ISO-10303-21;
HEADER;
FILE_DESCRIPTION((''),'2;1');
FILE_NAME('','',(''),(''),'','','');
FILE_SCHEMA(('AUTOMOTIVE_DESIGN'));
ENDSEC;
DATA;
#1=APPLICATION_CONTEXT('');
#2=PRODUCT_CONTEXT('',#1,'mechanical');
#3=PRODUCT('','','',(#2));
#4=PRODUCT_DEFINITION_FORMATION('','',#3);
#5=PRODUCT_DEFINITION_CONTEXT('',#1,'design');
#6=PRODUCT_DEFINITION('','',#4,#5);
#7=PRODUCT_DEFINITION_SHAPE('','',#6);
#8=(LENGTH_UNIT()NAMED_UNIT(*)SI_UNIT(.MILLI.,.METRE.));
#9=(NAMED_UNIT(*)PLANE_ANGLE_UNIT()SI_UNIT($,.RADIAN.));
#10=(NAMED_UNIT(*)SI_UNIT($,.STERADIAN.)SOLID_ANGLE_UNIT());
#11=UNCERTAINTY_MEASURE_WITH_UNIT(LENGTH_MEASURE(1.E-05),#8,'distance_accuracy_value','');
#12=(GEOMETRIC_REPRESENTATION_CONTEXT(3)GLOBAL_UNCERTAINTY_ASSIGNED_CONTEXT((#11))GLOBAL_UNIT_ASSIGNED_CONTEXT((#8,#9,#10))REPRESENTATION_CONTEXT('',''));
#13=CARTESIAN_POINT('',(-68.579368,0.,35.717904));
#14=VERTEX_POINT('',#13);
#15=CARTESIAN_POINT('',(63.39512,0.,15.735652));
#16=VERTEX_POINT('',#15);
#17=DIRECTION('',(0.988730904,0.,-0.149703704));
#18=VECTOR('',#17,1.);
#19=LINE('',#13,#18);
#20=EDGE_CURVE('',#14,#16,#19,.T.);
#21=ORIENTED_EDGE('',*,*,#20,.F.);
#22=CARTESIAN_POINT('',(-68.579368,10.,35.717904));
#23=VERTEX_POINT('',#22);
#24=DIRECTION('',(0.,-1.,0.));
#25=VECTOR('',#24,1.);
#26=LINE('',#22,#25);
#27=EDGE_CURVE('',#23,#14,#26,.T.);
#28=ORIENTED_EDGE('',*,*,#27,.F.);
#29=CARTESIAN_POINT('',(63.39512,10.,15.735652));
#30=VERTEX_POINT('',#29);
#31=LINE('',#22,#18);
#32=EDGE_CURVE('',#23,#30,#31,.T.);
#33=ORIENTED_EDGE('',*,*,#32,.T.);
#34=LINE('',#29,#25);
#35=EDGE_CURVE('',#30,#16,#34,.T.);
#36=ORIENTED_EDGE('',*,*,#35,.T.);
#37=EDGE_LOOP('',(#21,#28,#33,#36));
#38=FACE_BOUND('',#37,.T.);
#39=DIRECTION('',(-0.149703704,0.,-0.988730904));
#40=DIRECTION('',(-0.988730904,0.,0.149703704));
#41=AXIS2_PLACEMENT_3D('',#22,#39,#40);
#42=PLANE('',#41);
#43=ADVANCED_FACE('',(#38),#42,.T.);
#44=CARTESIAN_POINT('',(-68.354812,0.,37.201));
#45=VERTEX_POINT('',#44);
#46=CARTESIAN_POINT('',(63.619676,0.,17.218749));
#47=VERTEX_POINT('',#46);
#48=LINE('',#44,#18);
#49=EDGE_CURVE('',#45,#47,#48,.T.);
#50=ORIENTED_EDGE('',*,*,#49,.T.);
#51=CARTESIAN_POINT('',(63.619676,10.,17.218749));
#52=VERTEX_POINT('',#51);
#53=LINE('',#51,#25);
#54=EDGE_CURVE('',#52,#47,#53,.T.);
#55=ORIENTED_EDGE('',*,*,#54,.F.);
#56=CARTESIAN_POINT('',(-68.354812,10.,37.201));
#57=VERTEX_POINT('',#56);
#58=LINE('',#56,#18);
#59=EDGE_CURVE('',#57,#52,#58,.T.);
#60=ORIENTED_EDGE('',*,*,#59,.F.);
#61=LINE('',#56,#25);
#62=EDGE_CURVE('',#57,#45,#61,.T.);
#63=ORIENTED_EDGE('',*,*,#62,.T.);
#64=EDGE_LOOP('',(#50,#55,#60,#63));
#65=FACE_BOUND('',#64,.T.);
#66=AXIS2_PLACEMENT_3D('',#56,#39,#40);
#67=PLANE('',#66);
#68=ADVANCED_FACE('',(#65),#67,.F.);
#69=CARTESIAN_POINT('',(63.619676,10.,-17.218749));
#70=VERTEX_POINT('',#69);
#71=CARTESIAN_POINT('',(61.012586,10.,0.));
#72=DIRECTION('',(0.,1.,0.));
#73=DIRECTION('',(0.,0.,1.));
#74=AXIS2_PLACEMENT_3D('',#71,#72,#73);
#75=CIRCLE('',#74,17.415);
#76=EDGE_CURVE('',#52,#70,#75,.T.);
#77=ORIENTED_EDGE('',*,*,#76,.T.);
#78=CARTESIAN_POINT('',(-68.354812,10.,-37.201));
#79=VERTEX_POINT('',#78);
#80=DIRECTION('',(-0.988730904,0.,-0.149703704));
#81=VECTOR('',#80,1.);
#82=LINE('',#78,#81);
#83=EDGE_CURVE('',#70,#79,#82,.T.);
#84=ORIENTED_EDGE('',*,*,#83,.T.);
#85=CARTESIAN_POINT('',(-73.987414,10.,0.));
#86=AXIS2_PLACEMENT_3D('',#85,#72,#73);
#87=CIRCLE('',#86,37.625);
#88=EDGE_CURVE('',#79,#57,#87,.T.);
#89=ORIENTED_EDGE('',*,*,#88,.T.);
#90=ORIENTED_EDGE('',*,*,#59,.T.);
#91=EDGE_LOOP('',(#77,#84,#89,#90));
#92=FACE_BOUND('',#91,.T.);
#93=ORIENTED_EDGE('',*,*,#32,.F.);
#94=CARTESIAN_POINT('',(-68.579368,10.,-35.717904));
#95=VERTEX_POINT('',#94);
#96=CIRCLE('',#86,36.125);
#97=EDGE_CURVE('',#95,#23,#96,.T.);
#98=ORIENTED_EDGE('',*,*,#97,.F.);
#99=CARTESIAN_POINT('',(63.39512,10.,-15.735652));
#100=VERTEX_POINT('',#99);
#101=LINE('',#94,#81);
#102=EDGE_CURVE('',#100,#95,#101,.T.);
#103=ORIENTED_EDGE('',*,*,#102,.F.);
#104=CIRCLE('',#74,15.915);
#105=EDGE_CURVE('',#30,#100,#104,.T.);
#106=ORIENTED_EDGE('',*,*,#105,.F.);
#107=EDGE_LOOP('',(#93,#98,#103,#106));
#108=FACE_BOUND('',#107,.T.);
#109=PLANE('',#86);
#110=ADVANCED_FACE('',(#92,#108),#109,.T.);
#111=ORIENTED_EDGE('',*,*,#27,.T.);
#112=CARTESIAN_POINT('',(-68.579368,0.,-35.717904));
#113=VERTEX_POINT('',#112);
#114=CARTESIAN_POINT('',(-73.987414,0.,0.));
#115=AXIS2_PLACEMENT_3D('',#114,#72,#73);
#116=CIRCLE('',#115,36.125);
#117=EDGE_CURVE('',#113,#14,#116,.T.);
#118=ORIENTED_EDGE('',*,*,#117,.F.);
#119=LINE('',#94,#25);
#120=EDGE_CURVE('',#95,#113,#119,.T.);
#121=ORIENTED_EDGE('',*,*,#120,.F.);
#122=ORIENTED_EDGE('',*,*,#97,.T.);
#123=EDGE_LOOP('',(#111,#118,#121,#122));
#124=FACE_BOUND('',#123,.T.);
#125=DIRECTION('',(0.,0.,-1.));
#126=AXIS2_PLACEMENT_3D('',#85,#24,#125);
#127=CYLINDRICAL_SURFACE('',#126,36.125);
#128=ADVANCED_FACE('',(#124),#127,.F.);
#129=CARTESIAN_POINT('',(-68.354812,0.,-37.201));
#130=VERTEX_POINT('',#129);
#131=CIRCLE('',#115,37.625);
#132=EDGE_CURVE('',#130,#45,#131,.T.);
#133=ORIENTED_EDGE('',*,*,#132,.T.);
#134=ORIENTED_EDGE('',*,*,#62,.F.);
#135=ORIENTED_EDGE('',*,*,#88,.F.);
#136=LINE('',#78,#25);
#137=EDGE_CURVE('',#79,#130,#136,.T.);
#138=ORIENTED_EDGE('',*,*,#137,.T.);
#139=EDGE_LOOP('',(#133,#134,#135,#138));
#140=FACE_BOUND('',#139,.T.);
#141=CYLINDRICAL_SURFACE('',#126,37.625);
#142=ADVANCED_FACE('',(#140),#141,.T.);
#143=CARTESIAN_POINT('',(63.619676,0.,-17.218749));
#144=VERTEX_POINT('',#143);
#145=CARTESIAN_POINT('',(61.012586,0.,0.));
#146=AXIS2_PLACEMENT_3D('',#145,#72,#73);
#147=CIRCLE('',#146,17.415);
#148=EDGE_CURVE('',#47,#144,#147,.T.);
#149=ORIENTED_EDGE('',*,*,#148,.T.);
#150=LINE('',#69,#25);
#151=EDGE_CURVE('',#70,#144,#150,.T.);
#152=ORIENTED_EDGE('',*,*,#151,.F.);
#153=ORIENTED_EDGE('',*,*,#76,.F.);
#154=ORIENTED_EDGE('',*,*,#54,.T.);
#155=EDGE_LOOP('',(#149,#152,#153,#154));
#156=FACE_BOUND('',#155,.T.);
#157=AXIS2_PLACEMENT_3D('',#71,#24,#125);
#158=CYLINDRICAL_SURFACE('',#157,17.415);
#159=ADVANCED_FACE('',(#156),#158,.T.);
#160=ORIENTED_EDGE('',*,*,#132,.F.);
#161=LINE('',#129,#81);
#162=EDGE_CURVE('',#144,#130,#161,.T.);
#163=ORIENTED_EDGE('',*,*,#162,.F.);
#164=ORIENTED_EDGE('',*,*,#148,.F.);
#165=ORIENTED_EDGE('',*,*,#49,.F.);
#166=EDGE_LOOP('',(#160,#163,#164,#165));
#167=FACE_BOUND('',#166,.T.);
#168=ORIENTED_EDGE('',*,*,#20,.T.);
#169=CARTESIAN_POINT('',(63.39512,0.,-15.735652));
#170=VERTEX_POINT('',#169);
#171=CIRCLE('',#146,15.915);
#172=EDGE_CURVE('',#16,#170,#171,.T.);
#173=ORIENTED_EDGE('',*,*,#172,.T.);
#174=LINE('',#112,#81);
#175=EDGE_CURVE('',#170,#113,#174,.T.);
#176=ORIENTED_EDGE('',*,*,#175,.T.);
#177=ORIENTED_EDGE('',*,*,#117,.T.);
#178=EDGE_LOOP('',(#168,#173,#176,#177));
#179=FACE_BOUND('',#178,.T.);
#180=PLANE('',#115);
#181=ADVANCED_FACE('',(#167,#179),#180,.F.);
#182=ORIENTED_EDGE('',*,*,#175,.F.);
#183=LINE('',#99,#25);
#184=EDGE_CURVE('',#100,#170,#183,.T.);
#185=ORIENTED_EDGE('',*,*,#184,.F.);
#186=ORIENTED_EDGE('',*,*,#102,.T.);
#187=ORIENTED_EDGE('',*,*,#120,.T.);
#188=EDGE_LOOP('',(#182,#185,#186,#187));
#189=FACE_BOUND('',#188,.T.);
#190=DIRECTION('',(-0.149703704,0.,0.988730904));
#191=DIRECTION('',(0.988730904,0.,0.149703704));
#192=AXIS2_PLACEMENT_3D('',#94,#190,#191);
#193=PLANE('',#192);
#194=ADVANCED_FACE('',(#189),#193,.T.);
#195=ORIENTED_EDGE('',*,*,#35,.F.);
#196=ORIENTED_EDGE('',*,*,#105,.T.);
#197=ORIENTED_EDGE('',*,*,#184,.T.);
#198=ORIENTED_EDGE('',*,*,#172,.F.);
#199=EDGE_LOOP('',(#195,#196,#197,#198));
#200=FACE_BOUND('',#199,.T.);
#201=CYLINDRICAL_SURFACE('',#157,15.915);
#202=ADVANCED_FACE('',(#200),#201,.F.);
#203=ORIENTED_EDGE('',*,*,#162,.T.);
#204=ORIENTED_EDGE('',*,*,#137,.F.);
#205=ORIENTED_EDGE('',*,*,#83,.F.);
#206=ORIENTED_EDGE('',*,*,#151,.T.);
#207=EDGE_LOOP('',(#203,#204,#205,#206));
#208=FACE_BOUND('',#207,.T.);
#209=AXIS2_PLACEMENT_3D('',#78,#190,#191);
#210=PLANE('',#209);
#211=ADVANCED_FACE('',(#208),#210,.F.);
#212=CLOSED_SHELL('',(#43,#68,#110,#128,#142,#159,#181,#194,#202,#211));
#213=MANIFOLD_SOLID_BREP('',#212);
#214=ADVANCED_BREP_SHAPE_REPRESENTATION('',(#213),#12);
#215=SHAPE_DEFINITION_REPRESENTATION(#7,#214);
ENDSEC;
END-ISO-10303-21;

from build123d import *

# Parameters (mm, degrees)
BOSS_EXTRUDE1_DEPTH = 10


with BuildPart() as part:
    # Sketch1 → Boss-Extrude1 (new body)
    with BuildSketch(Plane(origin=(0, 0, 0), x_dir=(1, 0, 0), z_dir=(0, 1, 0))):
        with BuildLine():
            Line((-68.354812336, 37.201000274), (63.619675812, 17.218748698))
            ThreePointArc((63.619675812, 17.218748698), (78.427585812, 0), (63.619675812, -17.218748698))
            Line((63.619675812, -17.218748698), (-68.354812336, -37.201000274))
            ThreePointArc((-68.354812336, -37.201000274), (-111.612414188, 0), (-68.354812336, 37.201000274))
        make_face()
        with BuildLine():
            Line((-68.579367891, 35.717903917), (63.395120257, 15.735652342))
            ThreePointArc((63.395120257, 15.735652342), (76.927585812, 0), (63.395120257, -15.735652342))
            Line((63.395120257, -15.735652342), (-68.579367891, -35.717903917))
            ThreePointArc((-68.579367891, -35.717903917), (-110.112414188, 0), (-68.579367891, 35.717903917))
        make_face(mode=Mode.SUBTRACT)
    extrude(amount=BOSS_EXTRUDE1_DEPTH)


solid = part.part
